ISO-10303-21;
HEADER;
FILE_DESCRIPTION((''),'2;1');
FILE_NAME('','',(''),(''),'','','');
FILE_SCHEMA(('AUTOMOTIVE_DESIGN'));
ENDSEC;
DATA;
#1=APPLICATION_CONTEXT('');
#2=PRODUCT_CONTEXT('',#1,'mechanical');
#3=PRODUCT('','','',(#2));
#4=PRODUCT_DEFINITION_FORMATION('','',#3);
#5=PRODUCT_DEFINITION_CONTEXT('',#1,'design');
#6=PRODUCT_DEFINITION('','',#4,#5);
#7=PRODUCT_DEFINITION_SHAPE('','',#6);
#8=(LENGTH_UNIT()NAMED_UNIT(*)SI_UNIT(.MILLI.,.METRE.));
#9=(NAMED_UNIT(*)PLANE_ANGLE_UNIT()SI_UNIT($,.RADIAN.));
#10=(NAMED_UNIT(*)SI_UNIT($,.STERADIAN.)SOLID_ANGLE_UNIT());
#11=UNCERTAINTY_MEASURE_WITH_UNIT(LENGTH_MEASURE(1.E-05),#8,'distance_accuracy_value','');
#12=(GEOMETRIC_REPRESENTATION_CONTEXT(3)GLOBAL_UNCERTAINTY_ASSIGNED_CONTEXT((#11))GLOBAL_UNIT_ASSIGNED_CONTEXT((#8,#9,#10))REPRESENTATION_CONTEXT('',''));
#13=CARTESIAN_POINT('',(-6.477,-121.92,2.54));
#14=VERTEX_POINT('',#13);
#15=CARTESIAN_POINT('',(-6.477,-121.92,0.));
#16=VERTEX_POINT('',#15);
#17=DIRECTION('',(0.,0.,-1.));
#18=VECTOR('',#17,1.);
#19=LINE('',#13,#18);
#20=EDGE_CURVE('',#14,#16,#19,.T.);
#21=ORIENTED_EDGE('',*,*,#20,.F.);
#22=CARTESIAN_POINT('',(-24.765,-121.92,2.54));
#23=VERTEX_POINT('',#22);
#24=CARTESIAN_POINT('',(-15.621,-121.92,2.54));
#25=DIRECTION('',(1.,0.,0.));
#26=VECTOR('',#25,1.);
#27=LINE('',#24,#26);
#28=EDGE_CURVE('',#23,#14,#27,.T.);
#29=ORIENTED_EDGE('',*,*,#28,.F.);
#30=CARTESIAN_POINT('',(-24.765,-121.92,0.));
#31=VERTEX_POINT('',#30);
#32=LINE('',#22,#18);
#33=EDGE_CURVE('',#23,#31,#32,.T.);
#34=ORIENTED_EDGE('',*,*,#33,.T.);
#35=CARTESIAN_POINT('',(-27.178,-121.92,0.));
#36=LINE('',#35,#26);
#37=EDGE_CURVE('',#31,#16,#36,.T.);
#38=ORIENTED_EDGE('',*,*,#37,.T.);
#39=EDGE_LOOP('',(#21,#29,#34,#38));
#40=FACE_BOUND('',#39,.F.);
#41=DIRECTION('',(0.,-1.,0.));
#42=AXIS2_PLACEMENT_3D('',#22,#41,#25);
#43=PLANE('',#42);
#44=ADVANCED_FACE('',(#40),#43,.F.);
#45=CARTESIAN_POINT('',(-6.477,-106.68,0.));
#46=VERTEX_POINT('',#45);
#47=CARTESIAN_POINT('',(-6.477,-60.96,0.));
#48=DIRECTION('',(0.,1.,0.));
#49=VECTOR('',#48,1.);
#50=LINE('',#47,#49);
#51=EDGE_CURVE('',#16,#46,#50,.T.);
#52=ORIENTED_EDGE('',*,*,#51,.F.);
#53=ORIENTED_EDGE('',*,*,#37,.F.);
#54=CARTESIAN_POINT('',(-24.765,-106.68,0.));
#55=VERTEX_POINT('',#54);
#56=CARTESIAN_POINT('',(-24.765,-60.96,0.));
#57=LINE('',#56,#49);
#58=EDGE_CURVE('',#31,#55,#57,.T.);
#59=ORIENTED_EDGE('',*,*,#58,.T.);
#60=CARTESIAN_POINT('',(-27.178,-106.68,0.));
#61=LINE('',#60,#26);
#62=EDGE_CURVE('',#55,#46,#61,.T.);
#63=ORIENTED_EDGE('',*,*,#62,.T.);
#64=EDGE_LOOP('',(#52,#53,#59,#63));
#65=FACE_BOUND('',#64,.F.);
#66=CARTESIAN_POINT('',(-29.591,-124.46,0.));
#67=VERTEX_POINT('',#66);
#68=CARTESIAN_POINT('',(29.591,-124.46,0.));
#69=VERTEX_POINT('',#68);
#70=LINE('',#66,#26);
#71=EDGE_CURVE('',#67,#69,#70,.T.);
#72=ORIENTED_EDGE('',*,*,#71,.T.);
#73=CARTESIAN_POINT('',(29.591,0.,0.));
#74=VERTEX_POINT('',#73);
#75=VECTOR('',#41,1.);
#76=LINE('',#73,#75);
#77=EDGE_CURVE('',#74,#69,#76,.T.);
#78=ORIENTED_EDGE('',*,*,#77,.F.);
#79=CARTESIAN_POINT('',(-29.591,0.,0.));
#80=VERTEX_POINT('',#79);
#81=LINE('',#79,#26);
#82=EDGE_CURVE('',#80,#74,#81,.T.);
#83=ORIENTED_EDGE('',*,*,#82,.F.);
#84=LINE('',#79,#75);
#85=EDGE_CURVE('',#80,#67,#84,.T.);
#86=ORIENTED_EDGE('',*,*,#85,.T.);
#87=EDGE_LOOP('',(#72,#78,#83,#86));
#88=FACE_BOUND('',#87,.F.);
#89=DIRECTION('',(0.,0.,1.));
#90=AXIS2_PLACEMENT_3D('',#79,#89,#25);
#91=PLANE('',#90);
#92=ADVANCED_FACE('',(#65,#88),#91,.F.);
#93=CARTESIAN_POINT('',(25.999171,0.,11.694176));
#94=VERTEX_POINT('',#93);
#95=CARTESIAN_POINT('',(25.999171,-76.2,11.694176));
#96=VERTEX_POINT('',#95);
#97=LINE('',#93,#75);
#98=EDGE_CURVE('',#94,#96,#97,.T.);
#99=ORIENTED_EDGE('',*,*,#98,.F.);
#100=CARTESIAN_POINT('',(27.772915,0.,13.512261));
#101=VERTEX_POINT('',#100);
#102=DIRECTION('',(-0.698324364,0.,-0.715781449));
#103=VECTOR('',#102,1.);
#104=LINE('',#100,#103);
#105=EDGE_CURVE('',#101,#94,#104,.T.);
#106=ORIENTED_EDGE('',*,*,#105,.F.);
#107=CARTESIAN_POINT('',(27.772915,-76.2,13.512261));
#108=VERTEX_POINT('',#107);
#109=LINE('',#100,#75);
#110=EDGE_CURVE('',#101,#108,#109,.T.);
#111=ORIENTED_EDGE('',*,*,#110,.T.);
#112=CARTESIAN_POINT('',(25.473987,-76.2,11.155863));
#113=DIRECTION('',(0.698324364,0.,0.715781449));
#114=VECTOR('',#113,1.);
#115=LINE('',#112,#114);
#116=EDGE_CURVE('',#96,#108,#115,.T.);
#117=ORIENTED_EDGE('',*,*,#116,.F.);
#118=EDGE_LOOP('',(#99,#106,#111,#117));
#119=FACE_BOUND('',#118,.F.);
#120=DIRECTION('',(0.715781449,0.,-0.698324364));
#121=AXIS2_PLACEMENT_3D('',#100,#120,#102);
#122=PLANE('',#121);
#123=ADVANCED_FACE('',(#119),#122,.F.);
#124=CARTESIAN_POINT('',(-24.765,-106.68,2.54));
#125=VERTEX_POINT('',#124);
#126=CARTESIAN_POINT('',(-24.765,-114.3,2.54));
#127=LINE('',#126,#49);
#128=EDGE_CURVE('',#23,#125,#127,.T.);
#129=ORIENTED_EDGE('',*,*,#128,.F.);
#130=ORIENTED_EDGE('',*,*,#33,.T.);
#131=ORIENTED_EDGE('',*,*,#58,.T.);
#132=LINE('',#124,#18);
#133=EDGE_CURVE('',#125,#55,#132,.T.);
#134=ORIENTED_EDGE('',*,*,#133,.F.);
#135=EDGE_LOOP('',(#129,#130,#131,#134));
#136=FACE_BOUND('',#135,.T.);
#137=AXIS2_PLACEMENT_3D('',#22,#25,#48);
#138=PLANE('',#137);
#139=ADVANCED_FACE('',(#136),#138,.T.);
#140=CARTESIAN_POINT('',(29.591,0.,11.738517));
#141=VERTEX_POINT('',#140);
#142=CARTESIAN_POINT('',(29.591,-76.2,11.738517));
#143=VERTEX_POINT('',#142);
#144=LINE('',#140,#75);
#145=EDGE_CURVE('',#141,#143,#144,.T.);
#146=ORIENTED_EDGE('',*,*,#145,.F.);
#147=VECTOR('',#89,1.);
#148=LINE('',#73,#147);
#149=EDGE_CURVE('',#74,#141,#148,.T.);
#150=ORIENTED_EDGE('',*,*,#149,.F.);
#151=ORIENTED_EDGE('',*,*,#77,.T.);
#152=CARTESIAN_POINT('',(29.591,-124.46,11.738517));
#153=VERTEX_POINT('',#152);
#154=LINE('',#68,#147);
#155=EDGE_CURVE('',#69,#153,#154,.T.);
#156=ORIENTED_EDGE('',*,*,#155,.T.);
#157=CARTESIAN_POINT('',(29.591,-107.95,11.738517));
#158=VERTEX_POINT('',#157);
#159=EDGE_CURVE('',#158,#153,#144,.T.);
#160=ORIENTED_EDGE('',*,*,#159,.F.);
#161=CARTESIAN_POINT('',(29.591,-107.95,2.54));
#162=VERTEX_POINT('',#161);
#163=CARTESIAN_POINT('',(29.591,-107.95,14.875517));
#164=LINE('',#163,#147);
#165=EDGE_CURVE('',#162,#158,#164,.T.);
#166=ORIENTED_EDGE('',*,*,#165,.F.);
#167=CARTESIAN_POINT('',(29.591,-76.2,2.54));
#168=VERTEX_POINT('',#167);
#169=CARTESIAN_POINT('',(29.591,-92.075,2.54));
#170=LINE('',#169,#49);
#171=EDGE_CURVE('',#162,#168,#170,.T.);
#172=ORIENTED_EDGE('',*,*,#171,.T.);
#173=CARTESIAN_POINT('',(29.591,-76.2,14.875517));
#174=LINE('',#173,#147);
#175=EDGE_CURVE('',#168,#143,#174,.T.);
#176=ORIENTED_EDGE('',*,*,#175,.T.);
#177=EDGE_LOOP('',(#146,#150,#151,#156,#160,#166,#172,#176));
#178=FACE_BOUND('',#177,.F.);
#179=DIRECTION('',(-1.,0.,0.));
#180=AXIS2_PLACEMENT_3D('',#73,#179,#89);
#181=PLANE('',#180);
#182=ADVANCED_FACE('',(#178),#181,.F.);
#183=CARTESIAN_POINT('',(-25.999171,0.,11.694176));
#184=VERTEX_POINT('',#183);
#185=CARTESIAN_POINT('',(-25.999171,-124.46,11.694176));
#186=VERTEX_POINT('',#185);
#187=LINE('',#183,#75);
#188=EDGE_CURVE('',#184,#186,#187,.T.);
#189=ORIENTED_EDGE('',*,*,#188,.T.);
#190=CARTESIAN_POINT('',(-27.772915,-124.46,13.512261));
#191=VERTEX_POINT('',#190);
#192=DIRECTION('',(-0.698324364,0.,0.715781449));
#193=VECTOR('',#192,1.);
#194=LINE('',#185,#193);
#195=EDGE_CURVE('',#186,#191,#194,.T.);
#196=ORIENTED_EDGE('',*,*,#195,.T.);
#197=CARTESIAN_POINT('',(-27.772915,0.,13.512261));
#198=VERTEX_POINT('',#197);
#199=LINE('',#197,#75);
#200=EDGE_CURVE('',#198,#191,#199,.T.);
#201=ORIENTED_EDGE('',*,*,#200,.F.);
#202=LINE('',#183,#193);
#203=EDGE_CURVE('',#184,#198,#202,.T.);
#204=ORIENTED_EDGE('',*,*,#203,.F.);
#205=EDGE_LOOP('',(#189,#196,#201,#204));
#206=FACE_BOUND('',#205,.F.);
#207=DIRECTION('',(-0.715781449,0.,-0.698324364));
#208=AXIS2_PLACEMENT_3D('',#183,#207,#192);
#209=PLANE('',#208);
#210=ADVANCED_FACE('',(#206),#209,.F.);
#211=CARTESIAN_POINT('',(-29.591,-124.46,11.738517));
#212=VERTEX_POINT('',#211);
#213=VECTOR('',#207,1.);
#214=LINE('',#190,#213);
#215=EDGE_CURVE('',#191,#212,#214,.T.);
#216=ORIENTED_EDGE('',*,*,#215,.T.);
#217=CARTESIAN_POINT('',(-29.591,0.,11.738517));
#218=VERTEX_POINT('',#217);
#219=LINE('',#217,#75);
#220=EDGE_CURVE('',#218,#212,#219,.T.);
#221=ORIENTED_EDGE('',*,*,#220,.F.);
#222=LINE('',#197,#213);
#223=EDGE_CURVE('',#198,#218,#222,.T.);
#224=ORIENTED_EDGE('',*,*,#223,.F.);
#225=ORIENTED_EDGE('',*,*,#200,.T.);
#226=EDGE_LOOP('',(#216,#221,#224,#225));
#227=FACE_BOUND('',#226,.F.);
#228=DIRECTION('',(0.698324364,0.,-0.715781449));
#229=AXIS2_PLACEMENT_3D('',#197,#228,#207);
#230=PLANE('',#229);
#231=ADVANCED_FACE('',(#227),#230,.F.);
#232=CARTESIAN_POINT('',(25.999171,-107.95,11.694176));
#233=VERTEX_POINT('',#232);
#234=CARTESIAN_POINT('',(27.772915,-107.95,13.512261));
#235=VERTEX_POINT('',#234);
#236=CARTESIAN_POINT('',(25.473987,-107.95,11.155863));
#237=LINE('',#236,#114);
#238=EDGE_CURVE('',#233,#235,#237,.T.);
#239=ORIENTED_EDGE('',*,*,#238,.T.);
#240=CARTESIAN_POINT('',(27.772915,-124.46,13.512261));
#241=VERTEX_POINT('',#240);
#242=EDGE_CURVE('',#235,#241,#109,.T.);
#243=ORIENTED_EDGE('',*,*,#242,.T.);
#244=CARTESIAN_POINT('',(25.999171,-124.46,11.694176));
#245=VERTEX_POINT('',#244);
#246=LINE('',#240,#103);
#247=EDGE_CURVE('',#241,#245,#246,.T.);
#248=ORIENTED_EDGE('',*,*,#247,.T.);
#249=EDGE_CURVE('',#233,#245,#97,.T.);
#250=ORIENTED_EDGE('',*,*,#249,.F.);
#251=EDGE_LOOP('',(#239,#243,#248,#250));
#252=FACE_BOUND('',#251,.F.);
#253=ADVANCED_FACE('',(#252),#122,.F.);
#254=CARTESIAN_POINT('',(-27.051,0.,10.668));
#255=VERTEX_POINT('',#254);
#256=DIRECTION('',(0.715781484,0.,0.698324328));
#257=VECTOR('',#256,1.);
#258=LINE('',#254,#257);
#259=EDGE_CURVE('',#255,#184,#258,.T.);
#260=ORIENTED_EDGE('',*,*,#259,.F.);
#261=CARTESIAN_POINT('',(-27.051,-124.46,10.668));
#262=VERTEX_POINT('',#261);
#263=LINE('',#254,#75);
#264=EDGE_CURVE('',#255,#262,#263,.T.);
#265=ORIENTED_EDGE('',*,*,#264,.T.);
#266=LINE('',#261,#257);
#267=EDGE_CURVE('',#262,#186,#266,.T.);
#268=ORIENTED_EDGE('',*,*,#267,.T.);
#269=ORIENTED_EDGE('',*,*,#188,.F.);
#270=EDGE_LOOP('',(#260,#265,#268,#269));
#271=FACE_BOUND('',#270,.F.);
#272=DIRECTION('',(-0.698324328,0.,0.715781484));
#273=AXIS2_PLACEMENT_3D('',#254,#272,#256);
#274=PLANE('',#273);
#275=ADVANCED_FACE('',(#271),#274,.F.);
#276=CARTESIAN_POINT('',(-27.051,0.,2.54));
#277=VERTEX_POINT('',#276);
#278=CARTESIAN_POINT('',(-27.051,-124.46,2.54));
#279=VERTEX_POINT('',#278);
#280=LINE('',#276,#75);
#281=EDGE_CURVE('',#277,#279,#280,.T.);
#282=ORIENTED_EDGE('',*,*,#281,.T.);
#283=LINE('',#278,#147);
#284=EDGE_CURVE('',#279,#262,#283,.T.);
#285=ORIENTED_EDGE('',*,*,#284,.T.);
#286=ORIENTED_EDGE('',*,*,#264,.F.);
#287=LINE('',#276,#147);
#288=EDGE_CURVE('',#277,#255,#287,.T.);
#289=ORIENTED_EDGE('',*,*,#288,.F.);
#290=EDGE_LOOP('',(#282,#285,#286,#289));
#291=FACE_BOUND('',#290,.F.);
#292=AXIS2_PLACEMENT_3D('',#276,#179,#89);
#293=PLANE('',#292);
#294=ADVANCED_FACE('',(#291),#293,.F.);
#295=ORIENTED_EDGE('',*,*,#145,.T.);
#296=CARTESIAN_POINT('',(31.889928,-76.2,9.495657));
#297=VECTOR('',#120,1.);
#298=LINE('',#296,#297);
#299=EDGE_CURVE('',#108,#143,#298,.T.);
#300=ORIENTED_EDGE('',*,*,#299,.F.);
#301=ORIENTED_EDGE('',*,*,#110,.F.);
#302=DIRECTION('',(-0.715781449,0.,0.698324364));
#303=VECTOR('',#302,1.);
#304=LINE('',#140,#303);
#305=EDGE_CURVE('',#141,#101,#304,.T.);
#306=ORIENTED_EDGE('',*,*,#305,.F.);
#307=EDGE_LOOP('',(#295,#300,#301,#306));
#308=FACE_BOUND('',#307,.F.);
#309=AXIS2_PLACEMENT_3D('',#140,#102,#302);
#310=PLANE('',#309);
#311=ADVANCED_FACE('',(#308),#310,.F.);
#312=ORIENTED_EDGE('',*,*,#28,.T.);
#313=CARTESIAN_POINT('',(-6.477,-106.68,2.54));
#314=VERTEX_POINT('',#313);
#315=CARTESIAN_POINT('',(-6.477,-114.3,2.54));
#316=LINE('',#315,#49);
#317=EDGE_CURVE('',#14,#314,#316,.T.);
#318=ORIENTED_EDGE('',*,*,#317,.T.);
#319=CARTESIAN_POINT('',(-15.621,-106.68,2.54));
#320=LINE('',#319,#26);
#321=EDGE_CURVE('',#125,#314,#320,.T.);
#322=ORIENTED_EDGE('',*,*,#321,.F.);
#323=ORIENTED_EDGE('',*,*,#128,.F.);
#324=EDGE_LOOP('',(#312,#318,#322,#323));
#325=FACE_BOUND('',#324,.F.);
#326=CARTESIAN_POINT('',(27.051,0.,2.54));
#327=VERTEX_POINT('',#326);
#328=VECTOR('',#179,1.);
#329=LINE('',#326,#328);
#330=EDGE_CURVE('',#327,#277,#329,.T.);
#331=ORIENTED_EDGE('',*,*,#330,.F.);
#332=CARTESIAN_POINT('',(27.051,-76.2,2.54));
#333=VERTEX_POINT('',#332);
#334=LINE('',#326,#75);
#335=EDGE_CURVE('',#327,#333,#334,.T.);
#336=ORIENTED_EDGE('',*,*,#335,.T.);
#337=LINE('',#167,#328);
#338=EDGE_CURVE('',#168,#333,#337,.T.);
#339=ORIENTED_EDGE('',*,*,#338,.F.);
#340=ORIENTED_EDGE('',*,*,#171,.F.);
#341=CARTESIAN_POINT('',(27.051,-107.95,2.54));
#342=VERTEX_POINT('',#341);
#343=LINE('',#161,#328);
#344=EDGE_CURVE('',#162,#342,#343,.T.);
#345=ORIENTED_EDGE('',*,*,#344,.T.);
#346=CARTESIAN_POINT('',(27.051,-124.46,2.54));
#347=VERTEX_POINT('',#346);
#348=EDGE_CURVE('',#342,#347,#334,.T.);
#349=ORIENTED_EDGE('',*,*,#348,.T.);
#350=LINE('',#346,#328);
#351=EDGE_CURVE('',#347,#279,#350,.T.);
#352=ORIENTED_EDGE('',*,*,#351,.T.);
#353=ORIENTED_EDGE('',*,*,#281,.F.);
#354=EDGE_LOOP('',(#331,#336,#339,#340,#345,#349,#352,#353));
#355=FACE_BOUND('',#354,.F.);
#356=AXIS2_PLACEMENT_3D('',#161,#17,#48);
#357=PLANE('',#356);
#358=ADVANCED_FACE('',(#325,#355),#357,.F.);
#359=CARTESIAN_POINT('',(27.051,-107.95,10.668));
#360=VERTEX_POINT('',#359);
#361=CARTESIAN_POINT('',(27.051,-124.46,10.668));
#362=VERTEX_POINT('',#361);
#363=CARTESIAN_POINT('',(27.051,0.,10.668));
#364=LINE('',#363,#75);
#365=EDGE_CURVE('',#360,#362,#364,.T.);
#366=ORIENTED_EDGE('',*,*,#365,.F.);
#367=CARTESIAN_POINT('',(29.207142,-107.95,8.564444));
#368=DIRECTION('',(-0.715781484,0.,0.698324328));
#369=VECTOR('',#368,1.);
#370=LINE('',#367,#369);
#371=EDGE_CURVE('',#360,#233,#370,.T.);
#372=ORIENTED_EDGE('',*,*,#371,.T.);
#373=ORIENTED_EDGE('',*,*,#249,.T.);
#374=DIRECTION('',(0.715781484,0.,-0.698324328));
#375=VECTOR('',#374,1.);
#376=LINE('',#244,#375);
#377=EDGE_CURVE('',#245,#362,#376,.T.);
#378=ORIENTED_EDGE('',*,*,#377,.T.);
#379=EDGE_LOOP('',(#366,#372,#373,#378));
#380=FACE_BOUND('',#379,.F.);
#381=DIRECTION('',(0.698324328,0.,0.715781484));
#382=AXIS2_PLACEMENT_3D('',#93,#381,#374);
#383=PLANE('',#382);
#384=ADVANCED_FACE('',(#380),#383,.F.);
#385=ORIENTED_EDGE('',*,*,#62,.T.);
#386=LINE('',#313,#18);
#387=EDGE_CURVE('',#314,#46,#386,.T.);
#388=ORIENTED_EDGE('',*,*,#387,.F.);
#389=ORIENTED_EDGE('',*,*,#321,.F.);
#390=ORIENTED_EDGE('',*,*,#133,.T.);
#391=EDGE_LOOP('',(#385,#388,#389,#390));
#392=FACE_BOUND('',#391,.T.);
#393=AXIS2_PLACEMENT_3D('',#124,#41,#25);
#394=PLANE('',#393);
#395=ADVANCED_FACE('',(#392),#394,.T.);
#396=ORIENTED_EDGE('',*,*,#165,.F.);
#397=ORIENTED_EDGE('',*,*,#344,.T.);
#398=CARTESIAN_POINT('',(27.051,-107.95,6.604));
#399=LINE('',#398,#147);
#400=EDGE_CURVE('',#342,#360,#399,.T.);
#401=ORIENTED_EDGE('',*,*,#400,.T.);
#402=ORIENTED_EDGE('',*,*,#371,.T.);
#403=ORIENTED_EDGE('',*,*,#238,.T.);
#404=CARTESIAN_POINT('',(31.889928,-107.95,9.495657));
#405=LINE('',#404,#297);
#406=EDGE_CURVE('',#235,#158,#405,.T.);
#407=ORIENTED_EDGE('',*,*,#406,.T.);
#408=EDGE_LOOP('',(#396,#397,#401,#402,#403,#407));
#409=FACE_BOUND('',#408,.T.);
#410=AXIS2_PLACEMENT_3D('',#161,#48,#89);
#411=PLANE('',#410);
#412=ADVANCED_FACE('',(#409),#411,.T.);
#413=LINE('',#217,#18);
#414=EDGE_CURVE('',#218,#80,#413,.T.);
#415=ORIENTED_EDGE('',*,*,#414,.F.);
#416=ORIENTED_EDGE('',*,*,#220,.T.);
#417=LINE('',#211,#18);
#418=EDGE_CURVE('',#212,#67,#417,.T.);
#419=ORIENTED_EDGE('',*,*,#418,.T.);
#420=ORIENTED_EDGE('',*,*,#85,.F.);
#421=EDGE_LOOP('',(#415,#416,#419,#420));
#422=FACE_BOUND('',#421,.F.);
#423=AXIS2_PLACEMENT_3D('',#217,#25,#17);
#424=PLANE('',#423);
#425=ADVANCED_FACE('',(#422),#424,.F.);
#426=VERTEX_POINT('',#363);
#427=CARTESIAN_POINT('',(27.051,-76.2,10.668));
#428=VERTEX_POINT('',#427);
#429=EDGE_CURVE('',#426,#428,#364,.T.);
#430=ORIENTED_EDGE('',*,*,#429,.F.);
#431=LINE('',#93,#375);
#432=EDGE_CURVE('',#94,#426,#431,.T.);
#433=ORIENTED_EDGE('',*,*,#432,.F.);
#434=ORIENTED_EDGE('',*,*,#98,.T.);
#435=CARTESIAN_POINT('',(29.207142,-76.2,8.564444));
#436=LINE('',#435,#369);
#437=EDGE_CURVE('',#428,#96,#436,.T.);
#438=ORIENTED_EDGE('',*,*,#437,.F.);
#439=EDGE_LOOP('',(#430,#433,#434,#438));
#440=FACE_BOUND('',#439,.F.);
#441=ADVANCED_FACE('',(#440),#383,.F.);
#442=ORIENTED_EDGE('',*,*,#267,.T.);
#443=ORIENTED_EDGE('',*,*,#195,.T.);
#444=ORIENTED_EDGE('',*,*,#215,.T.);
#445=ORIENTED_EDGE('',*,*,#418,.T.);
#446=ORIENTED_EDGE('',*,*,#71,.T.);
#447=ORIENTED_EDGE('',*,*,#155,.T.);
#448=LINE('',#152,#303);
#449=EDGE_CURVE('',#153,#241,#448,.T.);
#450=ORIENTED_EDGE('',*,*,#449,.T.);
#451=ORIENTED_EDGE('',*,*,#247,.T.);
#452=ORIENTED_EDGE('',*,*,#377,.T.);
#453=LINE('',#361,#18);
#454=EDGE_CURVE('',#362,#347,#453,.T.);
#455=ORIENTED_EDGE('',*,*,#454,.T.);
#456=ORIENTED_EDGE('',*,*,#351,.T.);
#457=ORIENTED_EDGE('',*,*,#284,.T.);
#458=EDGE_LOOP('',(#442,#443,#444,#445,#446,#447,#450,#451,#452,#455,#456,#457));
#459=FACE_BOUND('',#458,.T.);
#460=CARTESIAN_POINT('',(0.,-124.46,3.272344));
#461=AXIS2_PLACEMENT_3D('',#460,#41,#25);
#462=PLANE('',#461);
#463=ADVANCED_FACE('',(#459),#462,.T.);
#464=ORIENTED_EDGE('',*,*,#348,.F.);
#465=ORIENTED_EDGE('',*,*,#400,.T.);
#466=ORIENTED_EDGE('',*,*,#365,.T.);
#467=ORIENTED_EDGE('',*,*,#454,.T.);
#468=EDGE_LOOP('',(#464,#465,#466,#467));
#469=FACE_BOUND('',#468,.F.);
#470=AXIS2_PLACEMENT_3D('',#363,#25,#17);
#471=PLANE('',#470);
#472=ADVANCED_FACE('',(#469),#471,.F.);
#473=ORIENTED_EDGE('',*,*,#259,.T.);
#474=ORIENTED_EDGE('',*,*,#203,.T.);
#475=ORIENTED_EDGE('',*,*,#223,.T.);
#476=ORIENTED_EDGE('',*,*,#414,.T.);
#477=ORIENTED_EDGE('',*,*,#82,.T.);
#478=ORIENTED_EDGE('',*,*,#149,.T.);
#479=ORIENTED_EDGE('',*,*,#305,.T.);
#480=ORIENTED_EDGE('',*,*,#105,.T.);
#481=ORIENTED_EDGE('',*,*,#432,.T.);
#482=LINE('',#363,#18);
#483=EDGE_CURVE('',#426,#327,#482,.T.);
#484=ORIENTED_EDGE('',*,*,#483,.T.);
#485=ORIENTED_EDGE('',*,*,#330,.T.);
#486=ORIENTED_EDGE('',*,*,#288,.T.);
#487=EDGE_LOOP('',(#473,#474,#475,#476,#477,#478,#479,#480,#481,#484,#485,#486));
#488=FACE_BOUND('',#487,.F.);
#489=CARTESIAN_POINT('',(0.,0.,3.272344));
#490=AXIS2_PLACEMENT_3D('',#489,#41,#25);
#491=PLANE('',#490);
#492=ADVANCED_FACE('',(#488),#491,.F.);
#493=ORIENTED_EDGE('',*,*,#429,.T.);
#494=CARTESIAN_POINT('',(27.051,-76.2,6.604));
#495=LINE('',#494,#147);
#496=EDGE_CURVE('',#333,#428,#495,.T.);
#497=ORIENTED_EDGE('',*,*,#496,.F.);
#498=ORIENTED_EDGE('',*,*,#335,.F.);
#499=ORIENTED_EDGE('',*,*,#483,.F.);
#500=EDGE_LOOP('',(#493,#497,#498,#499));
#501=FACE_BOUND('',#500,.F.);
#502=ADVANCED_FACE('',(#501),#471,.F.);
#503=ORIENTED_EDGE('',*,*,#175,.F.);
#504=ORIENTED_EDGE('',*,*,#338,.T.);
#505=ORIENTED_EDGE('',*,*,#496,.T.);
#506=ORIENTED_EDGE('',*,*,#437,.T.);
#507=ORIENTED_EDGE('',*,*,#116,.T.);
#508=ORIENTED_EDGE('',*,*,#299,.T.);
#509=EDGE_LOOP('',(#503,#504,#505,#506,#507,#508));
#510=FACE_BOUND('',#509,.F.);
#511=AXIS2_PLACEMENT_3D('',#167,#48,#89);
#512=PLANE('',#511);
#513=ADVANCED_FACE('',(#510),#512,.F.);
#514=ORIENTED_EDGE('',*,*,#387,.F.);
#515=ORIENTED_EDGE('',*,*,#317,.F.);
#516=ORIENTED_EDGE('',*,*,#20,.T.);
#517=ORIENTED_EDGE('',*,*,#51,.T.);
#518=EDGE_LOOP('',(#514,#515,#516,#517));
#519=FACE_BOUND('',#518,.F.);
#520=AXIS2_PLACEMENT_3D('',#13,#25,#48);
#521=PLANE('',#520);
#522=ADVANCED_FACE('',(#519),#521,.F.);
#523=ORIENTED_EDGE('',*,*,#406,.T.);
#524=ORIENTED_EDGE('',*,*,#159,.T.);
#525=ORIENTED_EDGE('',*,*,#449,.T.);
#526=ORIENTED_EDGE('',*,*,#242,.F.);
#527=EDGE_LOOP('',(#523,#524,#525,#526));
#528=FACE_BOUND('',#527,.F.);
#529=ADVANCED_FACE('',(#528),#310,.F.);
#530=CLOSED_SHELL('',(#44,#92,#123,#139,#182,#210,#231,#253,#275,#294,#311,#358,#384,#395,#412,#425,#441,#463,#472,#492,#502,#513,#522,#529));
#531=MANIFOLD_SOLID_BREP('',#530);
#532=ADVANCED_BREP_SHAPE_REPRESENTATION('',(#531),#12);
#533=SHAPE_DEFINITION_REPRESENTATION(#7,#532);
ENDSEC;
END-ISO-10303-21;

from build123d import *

# Parameters (mm, degrees)
F1_DEPTH = 124.46
F2_W     = 31.75
F2_H     = 24.671034
F3_DEPTH = 8.636
F4_W     = 18.288
F4_H     = 15.24
F5_DEPTH = 2.541


with BuildPart() as f1:
    # F0 (on Front) → F1 (new body)
    with BuildSketch(Plane.XZ):
        Polygon((-29.591, 0), (0, 0), (29.591, 0), (29.591, 11.738517), (27.772915, 13.512261), (25.999171, 11.694176), (27.051, 10.668), (27.051, 2.54), (0, 2.54), (-27.051, 2.54), (-27.051, 10.668), (-25.999171, 11.694176), (-27.772915, 13.512261), (-29.591, 11.738517), align=None)
    extrude(amount=F1_DEPTH)

    # F2 (on face) → F3 (cut)
    with BuildSketch(Plane.YZ.offset(29.591)):
        with Locations((-92.075, 14.875517)):
            Rectangle(F2_W, F2_H)
    extrude(amount=-F3_DEPTH, mode=Mode.SUBTRACT)

    # F4 (on face) → F5 (cut, through all)
    with BuildSketch(Plane.XY.offset(2.54)):
        with Locations((-15.621, -114.3)):
            Rectangle(F4_W, F4_H)
    extrude(amount=-F5_DEPTH, mode=Mode.SUBTRACT)


solid = f1.part
